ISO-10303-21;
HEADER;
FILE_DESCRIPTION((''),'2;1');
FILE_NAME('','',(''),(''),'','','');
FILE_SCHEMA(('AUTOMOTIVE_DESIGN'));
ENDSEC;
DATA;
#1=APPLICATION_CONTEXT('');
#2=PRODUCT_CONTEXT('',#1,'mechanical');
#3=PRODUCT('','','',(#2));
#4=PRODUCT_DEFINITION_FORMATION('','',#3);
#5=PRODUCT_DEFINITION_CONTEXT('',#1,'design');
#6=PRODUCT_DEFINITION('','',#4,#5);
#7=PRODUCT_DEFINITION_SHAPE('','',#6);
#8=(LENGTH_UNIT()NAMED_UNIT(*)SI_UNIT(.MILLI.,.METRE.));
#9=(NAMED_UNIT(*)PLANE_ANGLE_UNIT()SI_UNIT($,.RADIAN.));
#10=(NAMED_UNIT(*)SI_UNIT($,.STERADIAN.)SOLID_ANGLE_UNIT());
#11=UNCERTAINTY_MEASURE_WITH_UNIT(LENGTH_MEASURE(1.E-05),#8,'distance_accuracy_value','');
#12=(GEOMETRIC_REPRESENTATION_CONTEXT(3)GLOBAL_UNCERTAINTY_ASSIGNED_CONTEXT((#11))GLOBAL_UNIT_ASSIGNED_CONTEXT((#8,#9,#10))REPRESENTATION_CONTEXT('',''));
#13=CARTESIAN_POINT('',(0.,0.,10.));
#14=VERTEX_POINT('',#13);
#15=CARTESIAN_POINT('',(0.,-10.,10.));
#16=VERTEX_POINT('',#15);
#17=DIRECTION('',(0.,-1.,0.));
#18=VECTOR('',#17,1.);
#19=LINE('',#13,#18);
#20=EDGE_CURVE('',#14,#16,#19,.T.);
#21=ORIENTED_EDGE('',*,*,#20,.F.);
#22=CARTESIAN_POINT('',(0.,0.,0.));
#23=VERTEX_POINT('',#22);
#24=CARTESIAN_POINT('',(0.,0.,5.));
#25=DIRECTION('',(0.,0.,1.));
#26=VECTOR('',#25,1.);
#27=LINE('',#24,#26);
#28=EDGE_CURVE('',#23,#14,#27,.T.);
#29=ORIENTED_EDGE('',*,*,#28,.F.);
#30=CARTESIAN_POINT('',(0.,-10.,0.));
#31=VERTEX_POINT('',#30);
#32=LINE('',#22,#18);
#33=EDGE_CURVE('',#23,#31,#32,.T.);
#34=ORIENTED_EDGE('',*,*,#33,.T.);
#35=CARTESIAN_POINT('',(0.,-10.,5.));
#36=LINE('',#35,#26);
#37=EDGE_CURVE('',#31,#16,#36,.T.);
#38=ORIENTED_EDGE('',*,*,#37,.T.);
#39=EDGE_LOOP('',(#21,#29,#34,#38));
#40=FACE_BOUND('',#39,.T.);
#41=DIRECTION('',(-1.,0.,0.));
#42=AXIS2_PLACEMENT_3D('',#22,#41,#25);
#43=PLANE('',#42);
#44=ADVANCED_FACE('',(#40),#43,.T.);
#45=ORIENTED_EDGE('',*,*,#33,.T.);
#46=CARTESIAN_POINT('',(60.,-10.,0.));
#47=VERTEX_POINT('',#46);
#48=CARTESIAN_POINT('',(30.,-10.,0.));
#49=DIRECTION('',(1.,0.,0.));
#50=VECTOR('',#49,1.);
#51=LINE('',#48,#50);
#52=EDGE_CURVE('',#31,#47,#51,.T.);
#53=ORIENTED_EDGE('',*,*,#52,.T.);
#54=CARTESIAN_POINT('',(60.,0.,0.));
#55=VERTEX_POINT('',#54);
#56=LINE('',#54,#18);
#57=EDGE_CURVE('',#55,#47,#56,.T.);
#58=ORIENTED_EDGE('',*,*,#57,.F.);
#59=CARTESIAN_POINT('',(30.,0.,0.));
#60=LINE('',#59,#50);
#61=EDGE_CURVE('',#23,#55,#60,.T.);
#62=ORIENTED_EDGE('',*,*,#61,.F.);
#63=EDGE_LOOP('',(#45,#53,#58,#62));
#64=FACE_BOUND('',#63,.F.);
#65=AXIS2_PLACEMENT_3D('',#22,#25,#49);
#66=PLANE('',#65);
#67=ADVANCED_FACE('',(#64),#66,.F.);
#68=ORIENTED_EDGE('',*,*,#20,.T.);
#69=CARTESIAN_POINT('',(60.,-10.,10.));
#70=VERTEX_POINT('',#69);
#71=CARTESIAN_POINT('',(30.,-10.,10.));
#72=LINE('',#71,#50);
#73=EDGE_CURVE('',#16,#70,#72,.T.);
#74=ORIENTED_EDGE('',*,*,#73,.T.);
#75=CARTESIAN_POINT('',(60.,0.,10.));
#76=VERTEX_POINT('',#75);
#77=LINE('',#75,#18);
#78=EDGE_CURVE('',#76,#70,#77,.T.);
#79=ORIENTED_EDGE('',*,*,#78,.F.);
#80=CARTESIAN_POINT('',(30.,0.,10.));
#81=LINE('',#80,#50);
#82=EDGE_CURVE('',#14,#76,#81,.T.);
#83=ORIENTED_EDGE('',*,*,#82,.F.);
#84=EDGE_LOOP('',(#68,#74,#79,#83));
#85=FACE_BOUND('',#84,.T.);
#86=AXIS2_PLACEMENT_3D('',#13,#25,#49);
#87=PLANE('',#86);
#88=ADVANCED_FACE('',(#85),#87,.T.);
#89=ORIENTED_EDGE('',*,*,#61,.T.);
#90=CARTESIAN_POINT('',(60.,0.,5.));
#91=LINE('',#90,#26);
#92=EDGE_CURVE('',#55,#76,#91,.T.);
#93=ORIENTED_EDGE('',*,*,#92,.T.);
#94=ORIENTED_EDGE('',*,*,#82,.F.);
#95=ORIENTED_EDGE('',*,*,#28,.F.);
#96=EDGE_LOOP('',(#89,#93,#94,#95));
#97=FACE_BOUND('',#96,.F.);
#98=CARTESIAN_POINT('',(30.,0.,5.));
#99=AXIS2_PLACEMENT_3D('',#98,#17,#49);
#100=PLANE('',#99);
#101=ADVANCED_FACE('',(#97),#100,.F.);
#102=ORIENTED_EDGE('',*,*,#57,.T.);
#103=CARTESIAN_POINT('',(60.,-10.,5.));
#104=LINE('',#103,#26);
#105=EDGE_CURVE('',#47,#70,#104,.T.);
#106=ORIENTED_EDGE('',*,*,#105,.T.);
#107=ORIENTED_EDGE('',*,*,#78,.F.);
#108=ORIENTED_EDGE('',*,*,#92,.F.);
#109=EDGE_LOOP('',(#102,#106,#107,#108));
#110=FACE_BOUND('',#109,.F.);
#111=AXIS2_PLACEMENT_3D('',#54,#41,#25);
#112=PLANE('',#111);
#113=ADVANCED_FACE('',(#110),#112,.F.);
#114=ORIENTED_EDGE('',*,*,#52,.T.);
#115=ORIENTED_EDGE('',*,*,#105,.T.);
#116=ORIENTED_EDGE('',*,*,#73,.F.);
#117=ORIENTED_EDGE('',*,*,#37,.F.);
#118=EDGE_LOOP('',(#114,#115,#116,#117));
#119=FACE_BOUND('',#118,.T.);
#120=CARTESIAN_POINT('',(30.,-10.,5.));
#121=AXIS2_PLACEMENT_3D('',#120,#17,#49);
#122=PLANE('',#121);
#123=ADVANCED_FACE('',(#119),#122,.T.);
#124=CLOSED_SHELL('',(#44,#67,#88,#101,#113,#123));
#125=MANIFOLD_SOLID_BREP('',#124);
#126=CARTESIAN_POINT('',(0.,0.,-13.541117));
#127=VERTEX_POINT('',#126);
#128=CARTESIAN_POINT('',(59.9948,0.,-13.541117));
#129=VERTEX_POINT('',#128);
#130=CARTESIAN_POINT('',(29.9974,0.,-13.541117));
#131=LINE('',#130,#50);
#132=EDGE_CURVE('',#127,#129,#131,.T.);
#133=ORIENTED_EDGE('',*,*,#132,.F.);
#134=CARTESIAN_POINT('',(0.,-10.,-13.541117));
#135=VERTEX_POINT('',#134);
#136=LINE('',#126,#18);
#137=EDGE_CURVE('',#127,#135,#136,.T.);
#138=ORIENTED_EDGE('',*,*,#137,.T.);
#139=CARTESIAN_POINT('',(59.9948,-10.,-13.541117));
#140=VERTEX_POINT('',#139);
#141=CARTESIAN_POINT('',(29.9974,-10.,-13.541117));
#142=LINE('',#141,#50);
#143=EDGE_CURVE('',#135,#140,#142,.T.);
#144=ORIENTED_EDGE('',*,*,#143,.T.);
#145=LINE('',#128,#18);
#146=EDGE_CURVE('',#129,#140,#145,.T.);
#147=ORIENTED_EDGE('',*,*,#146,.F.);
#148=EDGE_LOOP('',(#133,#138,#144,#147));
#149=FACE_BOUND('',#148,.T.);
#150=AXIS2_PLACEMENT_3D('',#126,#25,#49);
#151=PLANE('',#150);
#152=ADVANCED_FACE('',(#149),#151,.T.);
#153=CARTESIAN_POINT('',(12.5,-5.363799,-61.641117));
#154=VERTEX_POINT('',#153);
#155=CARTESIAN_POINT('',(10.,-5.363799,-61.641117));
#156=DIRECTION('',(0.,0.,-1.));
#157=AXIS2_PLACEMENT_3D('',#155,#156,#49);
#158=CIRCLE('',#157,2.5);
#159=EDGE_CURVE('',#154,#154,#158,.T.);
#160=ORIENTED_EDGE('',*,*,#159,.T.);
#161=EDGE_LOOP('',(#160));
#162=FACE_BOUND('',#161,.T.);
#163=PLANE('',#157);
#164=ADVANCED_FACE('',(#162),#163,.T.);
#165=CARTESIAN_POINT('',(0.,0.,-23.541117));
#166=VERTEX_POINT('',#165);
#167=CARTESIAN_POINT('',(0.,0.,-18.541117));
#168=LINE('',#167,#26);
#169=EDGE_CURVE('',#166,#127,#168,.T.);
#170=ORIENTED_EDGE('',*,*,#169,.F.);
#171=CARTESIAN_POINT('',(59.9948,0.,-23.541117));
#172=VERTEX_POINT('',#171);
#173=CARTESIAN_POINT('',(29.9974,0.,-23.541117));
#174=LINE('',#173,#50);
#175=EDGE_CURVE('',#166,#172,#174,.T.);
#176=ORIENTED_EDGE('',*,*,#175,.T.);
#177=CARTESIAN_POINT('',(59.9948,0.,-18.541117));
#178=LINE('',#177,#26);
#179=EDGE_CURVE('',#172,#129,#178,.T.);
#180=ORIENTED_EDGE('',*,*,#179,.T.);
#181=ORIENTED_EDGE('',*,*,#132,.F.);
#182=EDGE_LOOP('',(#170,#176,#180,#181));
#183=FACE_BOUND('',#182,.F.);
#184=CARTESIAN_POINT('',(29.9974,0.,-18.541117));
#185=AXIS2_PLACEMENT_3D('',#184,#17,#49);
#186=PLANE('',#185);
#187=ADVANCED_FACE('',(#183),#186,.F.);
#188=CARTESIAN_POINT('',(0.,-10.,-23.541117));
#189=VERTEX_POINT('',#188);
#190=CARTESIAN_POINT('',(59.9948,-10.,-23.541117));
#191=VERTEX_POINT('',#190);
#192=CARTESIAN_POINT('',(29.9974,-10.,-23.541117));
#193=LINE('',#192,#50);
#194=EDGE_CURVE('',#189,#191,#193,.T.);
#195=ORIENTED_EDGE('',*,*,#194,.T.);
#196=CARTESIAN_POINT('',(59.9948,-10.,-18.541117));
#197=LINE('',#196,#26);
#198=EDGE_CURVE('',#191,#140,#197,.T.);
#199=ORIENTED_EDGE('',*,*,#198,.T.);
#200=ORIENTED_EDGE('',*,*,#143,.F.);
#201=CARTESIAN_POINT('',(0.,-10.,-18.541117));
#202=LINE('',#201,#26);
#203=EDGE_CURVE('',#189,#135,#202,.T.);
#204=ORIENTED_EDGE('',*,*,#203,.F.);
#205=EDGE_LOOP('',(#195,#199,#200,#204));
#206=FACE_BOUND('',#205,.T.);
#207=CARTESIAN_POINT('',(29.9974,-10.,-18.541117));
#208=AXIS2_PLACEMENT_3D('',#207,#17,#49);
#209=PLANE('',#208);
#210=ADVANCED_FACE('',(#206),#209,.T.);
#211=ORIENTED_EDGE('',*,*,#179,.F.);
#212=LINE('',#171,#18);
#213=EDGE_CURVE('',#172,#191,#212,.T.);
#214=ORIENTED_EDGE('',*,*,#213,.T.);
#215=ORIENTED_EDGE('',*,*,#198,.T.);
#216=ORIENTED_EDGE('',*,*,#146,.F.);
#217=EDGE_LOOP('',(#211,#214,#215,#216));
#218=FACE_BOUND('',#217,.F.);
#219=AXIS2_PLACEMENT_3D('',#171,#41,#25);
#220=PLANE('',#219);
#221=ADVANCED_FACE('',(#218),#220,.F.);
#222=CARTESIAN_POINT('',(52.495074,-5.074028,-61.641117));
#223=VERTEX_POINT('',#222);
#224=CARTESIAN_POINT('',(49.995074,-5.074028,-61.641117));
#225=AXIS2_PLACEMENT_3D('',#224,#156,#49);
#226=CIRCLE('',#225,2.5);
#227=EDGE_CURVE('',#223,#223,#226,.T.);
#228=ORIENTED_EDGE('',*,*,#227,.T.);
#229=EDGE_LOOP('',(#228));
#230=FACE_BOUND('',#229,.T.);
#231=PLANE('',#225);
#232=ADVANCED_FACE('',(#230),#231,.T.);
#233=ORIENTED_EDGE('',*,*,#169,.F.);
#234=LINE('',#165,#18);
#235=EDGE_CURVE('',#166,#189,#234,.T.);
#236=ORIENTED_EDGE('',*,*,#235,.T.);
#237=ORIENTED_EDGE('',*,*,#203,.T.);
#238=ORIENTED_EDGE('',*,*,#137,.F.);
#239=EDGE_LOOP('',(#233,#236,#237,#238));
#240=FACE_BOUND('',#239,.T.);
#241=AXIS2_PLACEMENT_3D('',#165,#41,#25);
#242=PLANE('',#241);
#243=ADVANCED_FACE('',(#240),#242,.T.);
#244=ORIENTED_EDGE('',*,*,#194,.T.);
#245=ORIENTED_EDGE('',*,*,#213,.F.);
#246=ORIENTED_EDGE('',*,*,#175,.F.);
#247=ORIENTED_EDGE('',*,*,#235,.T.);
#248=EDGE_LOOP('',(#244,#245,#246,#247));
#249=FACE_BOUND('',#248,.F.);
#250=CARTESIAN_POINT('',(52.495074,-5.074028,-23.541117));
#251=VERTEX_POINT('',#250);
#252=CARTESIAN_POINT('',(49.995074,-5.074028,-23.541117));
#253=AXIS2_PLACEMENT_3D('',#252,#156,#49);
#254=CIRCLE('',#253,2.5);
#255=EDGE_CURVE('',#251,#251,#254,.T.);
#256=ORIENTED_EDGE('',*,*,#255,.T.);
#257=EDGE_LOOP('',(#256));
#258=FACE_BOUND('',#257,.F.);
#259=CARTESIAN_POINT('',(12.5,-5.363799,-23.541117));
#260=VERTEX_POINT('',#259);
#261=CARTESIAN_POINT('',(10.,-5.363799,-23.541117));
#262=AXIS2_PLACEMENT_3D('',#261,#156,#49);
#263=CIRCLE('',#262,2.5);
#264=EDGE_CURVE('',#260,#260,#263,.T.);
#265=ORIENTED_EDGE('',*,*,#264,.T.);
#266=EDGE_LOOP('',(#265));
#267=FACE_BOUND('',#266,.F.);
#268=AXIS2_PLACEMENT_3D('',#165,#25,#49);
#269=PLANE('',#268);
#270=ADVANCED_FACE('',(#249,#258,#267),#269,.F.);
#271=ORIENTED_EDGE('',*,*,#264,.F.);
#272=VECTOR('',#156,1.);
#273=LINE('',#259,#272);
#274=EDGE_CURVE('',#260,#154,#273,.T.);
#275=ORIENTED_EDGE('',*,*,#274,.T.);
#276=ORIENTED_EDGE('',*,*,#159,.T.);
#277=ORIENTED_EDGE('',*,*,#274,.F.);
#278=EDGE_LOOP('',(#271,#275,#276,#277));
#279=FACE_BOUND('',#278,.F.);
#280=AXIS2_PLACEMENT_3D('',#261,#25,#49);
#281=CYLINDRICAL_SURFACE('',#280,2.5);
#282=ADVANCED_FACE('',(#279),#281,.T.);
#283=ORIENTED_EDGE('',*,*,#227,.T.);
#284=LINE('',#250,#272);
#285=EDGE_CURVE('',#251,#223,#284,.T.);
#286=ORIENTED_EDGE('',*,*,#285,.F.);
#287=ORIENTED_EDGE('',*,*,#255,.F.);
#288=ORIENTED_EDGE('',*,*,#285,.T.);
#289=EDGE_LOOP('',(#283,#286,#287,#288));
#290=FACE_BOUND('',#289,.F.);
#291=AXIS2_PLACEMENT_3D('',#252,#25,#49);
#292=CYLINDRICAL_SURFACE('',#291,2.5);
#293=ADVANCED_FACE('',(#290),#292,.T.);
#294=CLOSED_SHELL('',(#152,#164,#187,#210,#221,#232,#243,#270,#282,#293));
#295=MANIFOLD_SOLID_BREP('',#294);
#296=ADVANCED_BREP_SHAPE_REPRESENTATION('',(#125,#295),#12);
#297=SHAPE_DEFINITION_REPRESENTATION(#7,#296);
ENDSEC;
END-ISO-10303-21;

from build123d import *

# Parameters (mm, degrees)
F0_W     = 60
F0_H     = 10
F0_W_2   = 59.9948
F1_DEPTH = 10
F2_R     = 2.5
F3_DEPTH = 38.1


with BuildPart() as f1:
    # F0 (on Front) → F1 (new body)
    with BuildSketch(Plane.XZ):
        with Locations((30, 5)):
            Rectangle(F0_W, F0_H)
        with Locations((29.9974, -18.541117)):
            Rectangle(F0_W_2, F0_H)
    extrude(amount=F1_DEPTH)

    # F2 (on face) → F3 (join)
    with BuildSketch(Plane(origin=(0, 0, -23.541117), x_dir=(1, 0, 0), z_dir=(0, 0, -1))):
        with Locations((10, 5.363799)):
            Circle(F2_R)
        with Locations((49.995074, 5.074028)):
            Circle(F2_R)
    extrude(amount=F3_DEPTH)


solid = f1.part
